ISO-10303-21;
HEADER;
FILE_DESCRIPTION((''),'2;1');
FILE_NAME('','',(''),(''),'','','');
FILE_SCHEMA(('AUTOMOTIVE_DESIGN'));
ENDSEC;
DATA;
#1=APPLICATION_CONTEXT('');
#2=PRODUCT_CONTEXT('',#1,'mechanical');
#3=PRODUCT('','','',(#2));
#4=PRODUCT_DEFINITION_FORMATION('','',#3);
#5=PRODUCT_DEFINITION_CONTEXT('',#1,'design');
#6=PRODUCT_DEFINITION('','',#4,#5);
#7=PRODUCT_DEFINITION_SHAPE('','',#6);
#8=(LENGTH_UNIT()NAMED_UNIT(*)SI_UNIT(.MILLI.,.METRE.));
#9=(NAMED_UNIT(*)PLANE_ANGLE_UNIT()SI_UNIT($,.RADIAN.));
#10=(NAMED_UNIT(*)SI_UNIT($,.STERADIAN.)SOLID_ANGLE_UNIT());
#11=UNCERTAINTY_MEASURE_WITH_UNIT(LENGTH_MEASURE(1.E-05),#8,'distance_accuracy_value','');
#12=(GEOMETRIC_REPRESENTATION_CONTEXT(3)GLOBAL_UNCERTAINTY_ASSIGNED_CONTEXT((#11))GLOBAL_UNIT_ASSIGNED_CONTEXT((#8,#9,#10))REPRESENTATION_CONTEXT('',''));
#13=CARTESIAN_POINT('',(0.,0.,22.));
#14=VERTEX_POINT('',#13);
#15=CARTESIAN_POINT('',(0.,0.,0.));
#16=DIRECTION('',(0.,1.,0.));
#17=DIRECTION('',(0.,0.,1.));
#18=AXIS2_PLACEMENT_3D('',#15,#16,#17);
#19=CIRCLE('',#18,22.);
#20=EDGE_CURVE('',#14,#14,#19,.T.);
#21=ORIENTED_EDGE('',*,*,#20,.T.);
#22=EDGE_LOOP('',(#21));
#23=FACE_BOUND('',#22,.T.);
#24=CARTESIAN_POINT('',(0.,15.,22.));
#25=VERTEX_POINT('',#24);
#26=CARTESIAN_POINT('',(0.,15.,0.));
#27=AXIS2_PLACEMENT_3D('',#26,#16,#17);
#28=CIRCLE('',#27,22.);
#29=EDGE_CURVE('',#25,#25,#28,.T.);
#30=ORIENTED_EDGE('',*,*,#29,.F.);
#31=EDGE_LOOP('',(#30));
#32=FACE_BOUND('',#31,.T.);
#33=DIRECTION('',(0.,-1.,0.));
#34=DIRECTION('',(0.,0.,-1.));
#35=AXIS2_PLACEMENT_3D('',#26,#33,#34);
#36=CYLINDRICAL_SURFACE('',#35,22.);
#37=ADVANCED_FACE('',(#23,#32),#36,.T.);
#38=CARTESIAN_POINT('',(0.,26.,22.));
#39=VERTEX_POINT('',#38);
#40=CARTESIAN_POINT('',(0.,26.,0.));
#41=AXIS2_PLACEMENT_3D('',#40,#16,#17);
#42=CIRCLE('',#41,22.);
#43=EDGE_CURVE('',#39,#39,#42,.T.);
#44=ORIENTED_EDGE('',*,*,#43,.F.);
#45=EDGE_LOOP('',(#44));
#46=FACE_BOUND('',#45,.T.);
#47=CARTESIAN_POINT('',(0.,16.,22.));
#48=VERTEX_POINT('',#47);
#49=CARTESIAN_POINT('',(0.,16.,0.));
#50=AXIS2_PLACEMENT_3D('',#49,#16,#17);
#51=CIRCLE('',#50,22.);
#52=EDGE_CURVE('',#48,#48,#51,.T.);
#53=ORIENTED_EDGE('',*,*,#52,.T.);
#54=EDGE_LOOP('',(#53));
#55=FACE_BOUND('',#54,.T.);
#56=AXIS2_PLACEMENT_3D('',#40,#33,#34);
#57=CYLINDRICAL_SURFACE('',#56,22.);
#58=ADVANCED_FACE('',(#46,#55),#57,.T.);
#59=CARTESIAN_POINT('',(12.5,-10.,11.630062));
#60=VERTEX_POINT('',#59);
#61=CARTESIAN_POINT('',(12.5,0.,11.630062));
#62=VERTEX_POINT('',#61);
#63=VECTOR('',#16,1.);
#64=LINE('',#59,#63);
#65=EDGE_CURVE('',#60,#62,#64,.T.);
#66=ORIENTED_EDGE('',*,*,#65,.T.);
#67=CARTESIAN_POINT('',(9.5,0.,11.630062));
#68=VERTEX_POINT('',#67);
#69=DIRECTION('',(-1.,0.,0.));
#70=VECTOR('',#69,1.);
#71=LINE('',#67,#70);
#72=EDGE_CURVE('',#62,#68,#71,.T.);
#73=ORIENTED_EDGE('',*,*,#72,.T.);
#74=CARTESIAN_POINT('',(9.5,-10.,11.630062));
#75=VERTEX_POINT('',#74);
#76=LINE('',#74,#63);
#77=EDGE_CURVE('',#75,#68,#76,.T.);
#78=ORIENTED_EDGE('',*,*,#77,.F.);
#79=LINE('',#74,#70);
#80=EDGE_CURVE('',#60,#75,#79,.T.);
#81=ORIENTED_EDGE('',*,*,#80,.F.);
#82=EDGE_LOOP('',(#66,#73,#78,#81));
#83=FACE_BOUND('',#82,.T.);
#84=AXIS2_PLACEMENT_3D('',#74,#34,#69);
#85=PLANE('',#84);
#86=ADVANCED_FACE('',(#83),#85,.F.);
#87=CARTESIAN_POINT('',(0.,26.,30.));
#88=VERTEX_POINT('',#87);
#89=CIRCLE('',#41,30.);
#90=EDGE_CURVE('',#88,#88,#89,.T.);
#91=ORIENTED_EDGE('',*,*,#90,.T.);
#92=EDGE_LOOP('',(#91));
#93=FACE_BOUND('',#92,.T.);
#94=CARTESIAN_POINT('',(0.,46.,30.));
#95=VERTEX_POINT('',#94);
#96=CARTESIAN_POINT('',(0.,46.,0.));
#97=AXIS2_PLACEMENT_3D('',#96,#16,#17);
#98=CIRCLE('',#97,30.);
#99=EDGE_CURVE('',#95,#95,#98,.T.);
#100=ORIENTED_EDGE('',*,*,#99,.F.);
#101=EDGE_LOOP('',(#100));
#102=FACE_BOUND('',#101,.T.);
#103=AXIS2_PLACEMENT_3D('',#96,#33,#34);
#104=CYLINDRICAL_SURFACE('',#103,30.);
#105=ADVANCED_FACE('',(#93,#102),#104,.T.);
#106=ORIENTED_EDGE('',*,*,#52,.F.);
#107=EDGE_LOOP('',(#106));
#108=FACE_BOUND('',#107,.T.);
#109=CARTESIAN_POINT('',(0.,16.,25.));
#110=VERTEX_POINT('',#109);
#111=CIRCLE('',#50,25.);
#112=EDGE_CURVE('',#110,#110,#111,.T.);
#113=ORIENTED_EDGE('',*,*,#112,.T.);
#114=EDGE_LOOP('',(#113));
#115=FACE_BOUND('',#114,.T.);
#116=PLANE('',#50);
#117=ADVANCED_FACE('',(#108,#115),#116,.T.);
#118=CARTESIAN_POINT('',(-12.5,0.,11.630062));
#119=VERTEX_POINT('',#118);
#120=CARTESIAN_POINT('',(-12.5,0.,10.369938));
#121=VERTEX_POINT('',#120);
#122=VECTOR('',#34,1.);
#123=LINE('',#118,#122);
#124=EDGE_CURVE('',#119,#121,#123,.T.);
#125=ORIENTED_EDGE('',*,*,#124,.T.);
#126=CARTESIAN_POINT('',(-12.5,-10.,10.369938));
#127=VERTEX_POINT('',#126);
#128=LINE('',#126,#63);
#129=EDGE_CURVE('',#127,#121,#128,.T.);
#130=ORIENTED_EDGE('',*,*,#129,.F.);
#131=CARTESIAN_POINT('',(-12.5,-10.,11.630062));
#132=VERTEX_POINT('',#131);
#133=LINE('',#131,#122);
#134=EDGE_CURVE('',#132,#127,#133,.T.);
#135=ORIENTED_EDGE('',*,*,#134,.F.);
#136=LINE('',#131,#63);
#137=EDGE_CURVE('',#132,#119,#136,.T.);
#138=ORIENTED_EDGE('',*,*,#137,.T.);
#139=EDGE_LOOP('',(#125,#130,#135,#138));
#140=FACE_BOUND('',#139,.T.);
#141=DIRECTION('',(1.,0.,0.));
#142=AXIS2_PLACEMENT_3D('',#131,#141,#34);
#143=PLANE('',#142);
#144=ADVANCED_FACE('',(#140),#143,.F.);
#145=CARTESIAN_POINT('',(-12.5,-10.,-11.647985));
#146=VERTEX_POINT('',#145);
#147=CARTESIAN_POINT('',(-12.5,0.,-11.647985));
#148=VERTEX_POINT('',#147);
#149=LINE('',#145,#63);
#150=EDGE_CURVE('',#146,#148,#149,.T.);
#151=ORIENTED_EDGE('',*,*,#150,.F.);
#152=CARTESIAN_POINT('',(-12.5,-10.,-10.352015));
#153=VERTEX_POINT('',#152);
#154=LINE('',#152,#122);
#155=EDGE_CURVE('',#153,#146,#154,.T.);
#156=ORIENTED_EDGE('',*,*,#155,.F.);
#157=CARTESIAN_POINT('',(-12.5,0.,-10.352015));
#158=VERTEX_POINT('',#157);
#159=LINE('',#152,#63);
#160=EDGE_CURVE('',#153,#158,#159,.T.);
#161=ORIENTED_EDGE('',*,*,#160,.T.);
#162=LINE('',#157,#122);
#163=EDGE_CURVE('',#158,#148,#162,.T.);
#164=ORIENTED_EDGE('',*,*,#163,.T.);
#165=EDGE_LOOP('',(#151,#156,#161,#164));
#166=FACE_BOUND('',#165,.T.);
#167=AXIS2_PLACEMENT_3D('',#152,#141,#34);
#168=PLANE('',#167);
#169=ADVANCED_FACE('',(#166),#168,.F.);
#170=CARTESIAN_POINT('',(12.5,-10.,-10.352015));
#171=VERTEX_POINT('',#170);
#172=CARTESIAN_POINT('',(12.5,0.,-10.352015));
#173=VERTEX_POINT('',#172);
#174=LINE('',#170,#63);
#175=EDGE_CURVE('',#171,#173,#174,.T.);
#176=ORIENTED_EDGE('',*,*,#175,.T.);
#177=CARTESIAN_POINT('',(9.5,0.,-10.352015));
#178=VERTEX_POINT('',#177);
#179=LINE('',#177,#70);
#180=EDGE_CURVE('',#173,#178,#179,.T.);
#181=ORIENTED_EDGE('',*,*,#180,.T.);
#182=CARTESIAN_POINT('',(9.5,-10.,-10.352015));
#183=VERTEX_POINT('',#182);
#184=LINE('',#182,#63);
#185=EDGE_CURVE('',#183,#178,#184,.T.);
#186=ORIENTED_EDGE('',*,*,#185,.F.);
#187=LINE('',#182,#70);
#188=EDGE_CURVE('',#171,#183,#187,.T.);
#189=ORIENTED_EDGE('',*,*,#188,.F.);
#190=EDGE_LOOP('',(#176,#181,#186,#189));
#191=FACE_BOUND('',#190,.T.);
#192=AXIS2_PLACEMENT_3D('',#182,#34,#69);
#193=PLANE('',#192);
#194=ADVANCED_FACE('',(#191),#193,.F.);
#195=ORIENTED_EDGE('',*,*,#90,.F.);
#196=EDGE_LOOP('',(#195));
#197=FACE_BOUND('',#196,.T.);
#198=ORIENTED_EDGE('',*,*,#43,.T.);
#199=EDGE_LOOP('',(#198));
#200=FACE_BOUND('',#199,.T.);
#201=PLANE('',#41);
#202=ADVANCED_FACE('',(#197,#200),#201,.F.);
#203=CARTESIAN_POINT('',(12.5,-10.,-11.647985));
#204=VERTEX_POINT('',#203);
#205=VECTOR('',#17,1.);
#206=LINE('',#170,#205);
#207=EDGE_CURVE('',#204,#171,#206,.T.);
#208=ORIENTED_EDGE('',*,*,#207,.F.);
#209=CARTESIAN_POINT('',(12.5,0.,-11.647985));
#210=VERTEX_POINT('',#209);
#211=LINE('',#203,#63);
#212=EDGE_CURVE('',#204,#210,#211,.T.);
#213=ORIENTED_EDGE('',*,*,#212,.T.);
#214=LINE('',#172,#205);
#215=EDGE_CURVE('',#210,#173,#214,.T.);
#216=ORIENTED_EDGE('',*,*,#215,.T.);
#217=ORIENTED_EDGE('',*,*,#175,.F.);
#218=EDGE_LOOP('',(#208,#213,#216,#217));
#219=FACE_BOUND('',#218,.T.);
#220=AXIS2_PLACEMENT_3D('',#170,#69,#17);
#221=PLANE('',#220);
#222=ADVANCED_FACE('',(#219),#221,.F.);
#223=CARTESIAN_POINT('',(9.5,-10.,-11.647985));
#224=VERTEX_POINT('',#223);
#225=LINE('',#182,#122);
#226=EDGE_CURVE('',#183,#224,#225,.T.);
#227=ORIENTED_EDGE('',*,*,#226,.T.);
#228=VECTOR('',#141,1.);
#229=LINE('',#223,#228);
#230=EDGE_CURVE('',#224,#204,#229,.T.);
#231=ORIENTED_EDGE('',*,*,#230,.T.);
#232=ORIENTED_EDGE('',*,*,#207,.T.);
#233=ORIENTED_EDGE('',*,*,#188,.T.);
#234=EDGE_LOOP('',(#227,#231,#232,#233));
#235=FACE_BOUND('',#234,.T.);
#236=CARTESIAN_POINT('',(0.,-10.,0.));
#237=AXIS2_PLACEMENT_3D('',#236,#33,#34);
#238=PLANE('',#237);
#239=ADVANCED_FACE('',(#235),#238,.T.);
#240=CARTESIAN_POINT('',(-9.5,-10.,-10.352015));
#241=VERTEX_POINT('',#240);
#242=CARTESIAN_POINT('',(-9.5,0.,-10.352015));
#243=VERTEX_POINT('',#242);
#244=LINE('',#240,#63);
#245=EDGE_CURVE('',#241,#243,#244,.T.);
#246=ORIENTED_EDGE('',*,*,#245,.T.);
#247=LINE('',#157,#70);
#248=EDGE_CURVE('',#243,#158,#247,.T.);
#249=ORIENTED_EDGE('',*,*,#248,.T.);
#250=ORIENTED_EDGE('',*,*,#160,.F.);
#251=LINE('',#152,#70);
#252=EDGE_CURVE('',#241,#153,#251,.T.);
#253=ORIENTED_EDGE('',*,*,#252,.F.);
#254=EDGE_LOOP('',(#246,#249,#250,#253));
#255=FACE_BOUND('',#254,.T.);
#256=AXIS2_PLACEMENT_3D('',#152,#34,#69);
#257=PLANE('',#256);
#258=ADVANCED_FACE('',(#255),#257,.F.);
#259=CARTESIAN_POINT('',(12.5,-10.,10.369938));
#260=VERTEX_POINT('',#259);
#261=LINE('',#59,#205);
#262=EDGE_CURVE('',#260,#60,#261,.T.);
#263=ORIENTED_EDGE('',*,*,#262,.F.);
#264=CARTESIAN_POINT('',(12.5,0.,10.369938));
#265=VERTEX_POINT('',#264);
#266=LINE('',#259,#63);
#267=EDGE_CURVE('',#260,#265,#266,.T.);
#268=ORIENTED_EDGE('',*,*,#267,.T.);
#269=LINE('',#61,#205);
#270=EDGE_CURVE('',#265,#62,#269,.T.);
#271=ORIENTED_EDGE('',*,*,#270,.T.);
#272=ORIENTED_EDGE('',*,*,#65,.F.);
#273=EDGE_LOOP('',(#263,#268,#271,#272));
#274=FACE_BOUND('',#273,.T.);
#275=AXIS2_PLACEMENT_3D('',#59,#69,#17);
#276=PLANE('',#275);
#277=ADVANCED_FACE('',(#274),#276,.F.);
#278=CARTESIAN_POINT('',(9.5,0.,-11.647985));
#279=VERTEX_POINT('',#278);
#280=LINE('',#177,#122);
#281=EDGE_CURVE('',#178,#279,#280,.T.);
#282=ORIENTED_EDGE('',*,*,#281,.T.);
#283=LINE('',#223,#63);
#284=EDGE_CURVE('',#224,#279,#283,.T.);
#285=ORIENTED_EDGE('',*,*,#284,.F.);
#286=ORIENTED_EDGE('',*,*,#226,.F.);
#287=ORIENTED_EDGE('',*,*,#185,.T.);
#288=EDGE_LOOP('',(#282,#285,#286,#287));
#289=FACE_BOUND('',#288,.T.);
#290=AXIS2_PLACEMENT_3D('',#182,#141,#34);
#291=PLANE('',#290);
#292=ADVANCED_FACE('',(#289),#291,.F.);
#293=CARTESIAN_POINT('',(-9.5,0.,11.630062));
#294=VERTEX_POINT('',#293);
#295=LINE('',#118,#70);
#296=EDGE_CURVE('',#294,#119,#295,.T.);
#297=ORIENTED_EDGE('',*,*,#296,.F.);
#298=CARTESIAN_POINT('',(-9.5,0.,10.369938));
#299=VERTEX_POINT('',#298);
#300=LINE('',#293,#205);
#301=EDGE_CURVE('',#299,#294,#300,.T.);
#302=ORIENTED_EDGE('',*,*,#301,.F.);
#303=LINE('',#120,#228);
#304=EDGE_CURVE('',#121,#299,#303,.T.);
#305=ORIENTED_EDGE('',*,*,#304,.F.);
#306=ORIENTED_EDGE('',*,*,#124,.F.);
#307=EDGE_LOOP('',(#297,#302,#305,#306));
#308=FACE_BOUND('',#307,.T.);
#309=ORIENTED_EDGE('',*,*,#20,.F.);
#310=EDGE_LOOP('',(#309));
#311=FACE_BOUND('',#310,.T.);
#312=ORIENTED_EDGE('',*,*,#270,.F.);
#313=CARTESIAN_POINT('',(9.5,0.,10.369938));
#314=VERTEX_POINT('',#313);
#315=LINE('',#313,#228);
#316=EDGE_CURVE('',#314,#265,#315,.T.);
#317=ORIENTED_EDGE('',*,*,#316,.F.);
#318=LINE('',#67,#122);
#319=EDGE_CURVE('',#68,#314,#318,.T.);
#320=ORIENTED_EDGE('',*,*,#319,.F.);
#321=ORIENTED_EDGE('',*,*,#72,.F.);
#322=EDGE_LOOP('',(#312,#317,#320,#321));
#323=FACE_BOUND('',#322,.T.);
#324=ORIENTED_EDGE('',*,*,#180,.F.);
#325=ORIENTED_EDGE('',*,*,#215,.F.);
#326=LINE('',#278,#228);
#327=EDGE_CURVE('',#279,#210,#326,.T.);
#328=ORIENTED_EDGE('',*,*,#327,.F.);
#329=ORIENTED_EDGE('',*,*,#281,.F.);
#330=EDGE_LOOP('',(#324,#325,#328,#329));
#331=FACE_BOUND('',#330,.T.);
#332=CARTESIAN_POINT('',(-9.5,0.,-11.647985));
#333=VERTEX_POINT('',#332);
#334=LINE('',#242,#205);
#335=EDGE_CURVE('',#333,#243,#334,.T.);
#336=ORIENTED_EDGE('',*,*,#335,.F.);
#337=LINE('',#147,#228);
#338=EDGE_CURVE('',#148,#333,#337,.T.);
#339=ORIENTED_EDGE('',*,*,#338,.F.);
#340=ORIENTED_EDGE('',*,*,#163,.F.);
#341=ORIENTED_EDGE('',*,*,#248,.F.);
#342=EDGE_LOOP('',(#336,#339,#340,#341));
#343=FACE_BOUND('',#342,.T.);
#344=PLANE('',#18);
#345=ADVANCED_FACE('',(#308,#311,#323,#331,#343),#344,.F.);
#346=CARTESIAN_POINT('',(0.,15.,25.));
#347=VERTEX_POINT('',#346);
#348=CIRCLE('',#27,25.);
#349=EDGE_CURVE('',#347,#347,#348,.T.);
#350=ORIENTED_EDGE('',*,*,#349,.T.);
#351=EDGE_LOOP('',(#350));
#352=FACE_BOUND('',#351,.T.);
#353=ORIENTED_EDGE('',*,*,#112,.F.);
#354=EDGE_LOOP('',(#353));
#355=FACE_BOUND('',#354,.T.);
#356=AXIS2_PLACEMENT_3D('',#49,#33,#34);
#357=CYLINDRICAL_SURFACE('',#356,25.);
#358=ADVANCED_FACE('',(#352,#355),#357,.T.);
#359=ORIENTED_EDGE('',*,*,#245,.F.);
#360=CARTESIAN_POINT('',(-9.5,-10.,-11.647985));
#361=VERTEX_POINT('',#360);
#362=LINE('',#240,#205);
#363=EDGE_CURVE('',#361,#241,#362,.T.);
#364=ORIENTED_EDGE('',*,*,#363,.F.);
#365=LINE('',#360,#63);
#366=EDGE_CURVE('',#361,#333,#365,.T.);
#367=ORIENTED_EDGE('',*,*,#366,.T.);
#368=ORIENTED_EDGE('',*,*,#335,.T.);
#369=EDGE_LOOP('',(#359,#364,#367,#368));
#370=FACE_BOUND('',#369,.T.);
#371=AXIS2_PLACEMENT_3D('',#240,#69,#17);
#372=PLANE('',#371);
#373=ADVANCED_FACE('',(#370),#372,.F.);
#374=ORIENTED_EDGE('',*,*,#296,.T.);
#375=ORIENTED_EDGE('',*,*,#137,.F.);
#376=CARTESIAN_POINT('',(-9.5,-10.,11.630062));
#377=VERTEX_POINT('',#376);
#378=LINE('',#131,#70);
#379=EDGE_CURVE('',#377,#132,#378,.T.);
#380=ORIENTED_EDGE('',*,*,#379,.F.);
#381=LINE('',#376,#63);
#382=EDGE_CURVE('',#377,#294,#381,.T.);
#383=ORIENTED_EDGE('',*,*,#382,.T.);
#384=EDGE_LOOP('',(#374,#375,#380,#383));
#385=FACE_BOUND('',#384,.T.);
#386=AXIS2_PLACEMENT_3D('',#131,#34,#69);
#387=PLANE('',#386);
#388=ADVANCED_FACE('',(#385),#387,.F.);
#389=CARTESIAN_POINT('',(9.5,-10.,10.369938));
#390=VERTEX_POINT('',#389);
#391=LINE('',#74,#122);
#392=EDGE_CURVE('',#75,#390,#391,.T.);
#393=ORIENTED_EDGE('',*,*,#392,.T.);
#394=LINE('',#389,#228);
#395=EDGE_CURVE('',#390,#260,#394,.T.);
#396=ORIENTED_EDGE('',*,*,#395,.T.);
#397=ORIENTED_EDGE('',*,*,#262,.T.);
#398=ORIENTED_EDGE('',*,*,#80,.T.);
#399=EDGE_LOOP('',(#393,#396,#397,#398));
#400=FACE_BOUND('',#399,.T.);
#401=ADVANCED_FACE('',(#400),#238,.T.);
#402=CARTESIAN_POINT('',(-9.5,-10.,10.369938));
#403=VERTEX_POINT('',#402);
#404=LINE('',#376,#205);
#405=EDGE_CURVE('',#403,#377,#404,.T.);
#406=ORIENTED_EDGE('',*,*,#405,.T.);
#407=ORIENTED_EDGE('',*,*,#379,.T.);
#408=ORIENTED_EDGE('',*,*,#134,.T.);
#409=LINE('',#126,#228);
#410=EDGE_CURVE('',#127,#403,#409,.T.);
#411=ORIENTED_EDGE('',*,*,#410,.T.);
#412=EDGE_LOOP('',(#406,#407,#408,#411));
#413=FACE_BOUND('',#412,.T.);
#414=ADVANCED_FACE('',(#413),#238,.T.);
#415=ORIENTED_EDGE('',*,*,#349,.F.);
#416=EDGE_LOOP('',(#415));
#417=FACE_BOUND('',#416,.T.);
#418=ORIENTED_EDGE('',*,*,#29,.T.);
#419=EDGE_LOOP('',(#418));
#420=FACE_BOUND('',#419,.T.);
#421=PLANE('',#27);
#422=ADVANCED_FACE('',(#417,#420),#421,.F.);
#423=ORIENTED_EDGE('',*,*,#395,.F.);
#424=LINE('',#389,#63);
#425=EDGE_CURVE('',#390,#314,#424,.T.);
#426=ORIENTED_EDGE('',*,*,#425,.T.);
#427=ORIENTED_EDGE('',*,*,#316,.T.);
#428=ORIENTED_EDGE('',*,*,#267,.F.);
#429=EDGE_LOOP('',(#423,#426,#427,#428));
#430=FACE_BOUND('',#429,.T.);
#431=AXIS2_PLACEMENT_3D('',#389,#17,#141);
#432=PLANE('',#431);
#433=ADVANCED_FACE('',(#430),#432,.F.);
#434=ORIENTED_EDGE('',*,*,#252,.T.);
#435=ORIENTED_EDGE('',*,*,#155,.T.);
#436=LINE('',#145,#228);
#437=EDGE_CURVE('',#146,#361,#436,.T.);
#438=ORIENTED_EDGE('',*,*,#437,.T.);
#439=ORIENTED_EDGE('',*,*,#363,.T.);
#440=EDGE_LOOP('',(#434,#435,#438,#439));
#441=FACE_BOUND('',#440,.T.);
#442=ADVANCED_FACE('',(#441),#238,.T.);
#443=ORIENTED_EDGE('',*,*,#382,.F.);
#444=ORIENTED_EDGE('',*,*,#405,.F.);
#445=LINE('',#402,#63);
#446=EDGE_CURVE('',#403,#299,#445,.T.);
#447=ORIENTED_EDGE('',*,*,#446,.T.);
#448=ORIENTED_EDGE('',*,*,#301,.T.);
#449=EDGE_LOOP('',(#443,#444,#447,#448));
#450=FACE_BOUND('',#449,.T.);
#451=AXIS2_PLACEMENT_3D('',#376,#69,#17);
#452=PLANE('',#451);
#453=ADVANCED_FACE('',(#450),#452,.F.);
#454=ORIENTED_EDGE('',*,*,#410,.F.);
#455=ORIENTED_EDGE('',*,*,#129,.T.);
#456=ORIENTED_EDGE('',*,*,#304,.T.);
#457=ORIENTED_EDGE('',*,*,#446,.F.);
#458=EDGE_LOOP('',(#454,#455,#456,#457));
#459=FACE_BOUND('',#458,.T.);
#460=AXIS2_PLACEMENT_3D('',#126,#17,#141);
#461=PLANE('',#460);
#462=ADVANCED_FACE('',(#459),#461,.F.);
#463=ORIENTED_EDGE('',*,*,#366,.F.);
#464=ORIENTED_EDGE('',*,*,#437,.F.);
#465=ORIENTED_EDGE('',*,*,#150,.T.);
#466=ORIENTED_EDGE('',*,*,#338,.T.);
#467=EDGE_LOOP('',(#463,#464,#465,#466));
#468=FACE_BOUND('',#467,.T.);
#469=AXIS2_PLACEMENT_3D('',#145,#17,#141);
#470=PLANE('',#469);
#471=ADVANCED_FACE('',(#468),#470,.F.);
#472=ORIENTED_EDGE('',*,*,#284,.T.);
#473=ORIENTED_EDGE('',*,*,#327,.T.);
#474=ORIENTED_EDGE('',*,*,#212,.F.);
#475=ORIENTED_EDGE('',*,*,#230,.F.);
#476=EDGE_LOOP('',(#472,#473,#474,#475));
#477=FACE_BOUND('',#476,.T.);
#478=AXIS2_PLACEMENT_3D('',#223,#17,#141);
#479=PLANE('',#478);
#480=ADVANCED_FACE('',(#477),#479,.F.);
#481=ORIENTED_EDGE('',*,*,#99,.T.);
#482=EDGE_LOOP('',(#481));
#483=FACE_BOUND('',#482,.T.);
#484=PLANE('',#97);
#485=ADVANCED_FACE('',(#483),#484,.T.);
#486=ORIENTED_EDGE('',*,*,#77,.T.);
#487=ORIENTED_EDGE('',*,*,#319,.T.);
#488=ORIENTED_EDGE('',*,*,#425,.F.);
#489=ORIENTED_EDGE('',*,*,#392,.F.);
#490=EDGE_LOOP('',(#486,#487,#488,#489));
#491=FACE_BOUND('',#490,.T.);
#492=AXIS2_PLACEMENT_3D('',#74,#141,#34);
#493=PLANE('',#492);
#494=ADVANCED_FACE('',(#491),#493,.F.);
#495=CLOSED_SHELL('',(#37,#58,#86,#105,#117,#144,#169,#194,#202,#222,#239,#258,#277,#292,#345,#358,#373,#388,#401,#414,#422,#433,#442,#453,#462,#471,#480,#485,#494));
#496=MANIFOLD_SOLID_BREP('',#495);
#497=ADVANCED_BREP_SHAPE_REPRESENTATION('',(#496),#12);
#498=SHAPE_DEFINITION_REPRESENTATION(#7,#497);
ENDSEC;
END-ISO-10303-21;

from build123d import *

# Parameters (mm, degrees)
ESQUISSE1_R        = 22
BOSS_EXTRU_1_DEPTH = 15
ESQUISSE2_R        = 25
BOSS_EXTRU_2_DEPTH = 1
ESQUISSE3_R        = 22
BOSS_EXTRU_3_DEPTH = 10
ESQUISSE4_R        = 30
BOSS_EXTRU_4_DEPTH = 20
ESQUISSE5_W        = 3
ESQUISSE5_H        = 1.260124144
ESQUISSE5_H_2      = 1.295969654
BOSS_EXTRU_5_DEPTH = 10


with BuildPart() as part:
    # Esquisse1 → Boss.-Extru.1 (new body)
    with BuildSketch(Plane(origin=(0, 0, 0), x_dir=(1, 0, 0), z_dir=(0, 1, 0))):
        with Locations(Location((0, 0, 0), (0, 0, 270))):
            Circle(ESQUISSE1_R)
    extrude(amount=BOSS_EXTRU_1_DEPTH)

    # Esquisse2 → Boss.-Extru.2 (add)
    with BuildSketch(Plane(origin=(0, 15, 0), x_dir=(1, 0, 0), z_dir=(0, 1, 0))):
        with Locations(Location((0, 0, 0), (0, 0, 270))):
            Circle(ESQUISSE2_R)
    extrude(amount=BOSS_EXTRU_2_DEPTH)

    # Esquisse3 → Boss.-Extru.3 (add)
    with BuildSketch(Plane(origin=(0, 16, 0), x_dir=(1, 0, 0), z_dir=(0, 1, 0))):
        with Locations(Location((0, 0, 0), (0, 0, 270))):
            Circle(ESQUISSE3_R)
    extrude(amount=BOSS_EXTRU_3_DEPTH)

    # Esquisse4 → Boss.-Extru.4 (add)
    with BuildSketch(Plane(origin=(0, 26, 0), x_dir=(1, 0, 0), z_dir=(0, 1, 0))):
        with Locations(Location((0, 0, 0), (0, 0, 270))):
            Circle(ESQUISSE4_R)
    extrude(amount=BOSS_EXTRU_4_DEPTH)

    # Esquisse5 → Boss.-Extru.5 (add)
    with BuildSketch(Plane.XZ):
        with Locations((-11, 11)):
            Rectangle(ESQUISSE5_W, ESQUISSE5_H)
        with Locations((-11, -11)):
            Rectangle(ESQUISSE5_W, ESQUISSE5_H_2)
        with Locations((11, -11)):
            Rectangle(ESQUISSE5_W, ESQUISSE5_H_2)
        with Locations((11, 11)):
            Rectangle(ESQUISSE5_W, ESQUISSE5_H)
    extrude(amount=BOSS_EXTRU_5_DEPTH)


solid = part.part
